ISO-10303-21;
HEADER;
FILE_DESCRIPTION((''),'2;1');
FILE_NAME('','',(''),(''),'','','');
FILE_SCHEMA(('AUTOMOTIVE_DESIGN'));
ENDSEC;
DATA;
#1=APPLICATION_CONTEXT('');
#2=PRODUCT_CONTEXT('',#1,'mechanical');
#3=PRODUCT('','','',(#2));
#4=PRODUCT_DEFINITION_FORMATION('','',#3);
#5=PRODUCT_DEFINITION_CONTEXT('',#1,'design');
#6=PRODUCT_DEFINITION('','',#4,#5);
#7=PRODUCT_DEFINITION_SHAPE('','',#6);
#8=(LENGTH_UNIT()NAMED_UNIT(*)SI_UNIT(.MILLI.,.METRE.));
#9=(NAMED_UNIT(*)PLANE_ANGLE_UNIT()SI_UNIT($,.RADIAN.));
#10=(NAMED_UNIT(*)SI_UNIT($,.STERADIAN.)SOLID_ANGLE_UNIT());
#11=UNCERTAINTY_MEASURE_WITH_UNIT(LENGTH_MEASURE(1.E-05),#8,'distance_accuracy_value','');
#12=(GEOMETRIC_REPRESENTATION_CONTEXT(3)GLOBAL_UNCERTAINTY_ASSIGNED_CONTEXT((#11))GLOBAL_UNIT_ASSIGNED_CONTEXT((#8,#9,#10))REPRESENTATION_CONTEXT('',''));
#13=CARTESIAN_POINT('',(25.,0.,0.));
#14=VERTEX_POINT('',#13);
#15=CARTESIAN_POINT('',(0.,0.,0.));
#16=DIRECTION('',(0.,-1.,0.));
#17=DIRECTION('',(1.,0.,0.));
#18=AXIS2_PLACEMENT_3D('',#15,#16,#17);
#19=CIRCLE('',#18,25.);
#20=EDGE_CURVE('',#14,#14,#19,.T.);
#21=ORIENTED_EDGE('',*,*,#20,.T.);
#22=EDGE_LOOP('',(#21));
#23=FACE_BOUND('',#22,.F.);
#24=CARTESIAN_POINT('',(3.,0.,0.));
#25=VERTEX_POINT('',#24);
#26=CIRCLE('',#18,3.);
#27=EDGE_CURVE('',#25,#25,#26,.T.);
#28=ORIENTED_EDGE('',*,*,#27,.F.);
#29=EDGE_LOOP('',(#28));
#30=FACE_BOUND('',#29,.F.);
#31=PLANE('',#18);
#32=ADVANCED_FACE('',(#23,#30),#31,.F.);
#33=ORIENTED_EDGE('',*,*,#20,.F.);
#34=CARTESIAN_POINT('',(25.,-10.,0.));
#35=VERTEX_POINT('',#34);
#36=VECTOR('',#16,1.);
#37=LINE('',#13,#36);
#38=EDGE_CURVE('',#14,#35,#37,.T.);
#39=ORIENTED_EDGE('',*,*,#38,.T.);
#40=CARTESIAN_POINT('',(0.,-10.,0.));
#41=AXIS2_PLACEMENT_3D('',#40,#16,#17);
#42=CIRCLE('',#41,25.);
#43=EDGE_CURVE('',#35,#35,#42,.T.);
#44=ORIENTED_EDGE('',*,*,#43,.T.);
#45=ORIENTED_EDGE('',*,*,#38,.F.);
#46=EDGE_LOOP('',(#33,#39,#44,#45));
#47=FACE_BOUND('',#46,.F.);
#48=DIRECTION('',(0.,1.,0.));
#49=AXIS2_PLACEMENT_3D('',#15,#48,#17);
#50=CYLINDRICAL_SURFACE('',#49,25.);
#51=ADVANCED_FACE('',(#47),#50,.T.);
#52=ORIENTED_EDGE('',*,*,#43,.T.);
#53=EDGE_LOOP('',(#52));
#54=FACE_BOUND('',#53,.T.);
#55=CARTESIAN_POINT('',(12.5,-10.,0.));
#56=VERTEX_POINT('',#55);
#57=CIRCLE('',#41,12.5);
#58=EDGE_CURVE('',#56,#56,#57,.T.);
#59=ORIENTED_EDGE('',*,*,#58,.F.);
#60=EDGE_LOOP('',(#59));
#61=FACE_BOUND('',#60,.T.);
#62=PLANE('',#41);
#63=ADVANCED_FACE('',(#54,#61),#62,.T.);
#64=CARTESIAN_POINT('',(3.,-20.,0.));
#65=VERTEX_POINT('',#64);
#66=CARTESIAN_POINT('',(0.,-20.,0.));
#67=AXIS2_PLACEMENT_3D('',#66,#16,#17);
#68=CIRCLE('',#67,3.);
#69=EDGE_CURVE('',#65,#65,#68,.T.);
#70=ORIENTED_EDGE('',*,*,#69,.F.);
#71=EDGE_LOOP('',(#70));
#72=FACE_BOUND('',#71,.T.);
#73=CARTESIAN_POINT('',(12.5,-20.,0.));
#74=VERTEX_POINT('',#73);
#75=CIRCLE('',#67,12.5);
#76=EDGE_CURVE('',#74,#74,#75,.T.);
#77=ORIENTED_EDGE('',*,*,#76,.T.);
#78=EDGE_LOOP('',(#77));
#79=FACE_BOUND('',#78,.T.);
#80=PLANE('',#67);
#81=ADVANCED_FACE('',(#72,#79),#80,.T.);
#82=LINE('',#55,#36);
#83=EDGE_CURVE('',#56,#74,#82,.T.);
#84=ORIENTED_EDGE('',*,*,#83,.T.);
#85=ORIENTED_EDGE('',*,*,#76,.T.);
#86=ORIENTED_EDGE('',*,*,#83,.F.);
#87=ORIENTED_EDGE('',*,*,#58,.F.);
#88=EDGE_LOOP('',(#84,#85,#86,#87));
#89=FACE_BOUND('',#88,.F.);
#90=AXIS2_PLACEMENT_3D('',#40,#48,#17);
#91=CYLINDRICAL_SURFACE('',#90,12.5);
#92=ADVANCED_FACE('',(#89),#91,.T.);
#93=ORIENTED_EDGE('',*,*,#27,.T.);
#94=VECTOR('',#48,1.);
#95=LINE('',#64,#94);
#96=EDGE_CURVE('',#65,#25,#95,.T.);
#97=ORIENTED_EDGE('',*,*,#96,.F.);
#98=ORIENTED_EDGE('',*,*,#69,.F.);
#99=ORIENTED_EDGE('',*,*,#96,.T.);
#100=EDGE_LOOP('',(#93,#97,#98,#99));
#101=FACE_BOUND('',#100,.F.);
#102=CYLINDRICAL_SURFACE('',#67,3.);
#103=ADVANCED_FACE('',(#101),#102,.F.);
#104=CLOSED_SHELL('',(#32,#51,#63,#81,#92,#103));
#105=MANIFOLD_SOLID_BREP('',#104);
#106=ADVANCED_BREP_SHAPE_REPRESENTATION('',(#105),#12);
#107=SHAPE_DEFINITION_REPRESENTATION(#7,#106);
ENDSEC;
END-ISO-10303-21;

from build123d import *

# Parameters (mm, degrees)
SKETCH_R     = 25
PAD_DEPTH    = 10
SKETCH001_R  = 12.5
PAD001_DEPTH = 10
SKETCH002_R  = 3
POCKET_DEPTH = 20


with BuildPart() as part:
    # Sketch → Pad (new body)
    with BuildSketch(Plane.XZ):
        Circle(SKETCH_R)
    extrude(amount=PAD_DEPTH)

    # Sketch001 (on Face3 of Pad) → Pad001 (join)
    with BuildSketch(Plane.XZ.offset(10)):
        Circle(SKETCH001_R)
    extrude(amount=PAD001_DEPTH)

    # Sketch002 (on Face5 of Pad001) → Pocket (cut)
    with BuildSketch(Plane.XZ.offset(20)):
        Circle(SKETCH002_R)
    extrude(amount=-POCKET_DEPTH, mode=Mode.SUBTRACT)


solid = part.part
